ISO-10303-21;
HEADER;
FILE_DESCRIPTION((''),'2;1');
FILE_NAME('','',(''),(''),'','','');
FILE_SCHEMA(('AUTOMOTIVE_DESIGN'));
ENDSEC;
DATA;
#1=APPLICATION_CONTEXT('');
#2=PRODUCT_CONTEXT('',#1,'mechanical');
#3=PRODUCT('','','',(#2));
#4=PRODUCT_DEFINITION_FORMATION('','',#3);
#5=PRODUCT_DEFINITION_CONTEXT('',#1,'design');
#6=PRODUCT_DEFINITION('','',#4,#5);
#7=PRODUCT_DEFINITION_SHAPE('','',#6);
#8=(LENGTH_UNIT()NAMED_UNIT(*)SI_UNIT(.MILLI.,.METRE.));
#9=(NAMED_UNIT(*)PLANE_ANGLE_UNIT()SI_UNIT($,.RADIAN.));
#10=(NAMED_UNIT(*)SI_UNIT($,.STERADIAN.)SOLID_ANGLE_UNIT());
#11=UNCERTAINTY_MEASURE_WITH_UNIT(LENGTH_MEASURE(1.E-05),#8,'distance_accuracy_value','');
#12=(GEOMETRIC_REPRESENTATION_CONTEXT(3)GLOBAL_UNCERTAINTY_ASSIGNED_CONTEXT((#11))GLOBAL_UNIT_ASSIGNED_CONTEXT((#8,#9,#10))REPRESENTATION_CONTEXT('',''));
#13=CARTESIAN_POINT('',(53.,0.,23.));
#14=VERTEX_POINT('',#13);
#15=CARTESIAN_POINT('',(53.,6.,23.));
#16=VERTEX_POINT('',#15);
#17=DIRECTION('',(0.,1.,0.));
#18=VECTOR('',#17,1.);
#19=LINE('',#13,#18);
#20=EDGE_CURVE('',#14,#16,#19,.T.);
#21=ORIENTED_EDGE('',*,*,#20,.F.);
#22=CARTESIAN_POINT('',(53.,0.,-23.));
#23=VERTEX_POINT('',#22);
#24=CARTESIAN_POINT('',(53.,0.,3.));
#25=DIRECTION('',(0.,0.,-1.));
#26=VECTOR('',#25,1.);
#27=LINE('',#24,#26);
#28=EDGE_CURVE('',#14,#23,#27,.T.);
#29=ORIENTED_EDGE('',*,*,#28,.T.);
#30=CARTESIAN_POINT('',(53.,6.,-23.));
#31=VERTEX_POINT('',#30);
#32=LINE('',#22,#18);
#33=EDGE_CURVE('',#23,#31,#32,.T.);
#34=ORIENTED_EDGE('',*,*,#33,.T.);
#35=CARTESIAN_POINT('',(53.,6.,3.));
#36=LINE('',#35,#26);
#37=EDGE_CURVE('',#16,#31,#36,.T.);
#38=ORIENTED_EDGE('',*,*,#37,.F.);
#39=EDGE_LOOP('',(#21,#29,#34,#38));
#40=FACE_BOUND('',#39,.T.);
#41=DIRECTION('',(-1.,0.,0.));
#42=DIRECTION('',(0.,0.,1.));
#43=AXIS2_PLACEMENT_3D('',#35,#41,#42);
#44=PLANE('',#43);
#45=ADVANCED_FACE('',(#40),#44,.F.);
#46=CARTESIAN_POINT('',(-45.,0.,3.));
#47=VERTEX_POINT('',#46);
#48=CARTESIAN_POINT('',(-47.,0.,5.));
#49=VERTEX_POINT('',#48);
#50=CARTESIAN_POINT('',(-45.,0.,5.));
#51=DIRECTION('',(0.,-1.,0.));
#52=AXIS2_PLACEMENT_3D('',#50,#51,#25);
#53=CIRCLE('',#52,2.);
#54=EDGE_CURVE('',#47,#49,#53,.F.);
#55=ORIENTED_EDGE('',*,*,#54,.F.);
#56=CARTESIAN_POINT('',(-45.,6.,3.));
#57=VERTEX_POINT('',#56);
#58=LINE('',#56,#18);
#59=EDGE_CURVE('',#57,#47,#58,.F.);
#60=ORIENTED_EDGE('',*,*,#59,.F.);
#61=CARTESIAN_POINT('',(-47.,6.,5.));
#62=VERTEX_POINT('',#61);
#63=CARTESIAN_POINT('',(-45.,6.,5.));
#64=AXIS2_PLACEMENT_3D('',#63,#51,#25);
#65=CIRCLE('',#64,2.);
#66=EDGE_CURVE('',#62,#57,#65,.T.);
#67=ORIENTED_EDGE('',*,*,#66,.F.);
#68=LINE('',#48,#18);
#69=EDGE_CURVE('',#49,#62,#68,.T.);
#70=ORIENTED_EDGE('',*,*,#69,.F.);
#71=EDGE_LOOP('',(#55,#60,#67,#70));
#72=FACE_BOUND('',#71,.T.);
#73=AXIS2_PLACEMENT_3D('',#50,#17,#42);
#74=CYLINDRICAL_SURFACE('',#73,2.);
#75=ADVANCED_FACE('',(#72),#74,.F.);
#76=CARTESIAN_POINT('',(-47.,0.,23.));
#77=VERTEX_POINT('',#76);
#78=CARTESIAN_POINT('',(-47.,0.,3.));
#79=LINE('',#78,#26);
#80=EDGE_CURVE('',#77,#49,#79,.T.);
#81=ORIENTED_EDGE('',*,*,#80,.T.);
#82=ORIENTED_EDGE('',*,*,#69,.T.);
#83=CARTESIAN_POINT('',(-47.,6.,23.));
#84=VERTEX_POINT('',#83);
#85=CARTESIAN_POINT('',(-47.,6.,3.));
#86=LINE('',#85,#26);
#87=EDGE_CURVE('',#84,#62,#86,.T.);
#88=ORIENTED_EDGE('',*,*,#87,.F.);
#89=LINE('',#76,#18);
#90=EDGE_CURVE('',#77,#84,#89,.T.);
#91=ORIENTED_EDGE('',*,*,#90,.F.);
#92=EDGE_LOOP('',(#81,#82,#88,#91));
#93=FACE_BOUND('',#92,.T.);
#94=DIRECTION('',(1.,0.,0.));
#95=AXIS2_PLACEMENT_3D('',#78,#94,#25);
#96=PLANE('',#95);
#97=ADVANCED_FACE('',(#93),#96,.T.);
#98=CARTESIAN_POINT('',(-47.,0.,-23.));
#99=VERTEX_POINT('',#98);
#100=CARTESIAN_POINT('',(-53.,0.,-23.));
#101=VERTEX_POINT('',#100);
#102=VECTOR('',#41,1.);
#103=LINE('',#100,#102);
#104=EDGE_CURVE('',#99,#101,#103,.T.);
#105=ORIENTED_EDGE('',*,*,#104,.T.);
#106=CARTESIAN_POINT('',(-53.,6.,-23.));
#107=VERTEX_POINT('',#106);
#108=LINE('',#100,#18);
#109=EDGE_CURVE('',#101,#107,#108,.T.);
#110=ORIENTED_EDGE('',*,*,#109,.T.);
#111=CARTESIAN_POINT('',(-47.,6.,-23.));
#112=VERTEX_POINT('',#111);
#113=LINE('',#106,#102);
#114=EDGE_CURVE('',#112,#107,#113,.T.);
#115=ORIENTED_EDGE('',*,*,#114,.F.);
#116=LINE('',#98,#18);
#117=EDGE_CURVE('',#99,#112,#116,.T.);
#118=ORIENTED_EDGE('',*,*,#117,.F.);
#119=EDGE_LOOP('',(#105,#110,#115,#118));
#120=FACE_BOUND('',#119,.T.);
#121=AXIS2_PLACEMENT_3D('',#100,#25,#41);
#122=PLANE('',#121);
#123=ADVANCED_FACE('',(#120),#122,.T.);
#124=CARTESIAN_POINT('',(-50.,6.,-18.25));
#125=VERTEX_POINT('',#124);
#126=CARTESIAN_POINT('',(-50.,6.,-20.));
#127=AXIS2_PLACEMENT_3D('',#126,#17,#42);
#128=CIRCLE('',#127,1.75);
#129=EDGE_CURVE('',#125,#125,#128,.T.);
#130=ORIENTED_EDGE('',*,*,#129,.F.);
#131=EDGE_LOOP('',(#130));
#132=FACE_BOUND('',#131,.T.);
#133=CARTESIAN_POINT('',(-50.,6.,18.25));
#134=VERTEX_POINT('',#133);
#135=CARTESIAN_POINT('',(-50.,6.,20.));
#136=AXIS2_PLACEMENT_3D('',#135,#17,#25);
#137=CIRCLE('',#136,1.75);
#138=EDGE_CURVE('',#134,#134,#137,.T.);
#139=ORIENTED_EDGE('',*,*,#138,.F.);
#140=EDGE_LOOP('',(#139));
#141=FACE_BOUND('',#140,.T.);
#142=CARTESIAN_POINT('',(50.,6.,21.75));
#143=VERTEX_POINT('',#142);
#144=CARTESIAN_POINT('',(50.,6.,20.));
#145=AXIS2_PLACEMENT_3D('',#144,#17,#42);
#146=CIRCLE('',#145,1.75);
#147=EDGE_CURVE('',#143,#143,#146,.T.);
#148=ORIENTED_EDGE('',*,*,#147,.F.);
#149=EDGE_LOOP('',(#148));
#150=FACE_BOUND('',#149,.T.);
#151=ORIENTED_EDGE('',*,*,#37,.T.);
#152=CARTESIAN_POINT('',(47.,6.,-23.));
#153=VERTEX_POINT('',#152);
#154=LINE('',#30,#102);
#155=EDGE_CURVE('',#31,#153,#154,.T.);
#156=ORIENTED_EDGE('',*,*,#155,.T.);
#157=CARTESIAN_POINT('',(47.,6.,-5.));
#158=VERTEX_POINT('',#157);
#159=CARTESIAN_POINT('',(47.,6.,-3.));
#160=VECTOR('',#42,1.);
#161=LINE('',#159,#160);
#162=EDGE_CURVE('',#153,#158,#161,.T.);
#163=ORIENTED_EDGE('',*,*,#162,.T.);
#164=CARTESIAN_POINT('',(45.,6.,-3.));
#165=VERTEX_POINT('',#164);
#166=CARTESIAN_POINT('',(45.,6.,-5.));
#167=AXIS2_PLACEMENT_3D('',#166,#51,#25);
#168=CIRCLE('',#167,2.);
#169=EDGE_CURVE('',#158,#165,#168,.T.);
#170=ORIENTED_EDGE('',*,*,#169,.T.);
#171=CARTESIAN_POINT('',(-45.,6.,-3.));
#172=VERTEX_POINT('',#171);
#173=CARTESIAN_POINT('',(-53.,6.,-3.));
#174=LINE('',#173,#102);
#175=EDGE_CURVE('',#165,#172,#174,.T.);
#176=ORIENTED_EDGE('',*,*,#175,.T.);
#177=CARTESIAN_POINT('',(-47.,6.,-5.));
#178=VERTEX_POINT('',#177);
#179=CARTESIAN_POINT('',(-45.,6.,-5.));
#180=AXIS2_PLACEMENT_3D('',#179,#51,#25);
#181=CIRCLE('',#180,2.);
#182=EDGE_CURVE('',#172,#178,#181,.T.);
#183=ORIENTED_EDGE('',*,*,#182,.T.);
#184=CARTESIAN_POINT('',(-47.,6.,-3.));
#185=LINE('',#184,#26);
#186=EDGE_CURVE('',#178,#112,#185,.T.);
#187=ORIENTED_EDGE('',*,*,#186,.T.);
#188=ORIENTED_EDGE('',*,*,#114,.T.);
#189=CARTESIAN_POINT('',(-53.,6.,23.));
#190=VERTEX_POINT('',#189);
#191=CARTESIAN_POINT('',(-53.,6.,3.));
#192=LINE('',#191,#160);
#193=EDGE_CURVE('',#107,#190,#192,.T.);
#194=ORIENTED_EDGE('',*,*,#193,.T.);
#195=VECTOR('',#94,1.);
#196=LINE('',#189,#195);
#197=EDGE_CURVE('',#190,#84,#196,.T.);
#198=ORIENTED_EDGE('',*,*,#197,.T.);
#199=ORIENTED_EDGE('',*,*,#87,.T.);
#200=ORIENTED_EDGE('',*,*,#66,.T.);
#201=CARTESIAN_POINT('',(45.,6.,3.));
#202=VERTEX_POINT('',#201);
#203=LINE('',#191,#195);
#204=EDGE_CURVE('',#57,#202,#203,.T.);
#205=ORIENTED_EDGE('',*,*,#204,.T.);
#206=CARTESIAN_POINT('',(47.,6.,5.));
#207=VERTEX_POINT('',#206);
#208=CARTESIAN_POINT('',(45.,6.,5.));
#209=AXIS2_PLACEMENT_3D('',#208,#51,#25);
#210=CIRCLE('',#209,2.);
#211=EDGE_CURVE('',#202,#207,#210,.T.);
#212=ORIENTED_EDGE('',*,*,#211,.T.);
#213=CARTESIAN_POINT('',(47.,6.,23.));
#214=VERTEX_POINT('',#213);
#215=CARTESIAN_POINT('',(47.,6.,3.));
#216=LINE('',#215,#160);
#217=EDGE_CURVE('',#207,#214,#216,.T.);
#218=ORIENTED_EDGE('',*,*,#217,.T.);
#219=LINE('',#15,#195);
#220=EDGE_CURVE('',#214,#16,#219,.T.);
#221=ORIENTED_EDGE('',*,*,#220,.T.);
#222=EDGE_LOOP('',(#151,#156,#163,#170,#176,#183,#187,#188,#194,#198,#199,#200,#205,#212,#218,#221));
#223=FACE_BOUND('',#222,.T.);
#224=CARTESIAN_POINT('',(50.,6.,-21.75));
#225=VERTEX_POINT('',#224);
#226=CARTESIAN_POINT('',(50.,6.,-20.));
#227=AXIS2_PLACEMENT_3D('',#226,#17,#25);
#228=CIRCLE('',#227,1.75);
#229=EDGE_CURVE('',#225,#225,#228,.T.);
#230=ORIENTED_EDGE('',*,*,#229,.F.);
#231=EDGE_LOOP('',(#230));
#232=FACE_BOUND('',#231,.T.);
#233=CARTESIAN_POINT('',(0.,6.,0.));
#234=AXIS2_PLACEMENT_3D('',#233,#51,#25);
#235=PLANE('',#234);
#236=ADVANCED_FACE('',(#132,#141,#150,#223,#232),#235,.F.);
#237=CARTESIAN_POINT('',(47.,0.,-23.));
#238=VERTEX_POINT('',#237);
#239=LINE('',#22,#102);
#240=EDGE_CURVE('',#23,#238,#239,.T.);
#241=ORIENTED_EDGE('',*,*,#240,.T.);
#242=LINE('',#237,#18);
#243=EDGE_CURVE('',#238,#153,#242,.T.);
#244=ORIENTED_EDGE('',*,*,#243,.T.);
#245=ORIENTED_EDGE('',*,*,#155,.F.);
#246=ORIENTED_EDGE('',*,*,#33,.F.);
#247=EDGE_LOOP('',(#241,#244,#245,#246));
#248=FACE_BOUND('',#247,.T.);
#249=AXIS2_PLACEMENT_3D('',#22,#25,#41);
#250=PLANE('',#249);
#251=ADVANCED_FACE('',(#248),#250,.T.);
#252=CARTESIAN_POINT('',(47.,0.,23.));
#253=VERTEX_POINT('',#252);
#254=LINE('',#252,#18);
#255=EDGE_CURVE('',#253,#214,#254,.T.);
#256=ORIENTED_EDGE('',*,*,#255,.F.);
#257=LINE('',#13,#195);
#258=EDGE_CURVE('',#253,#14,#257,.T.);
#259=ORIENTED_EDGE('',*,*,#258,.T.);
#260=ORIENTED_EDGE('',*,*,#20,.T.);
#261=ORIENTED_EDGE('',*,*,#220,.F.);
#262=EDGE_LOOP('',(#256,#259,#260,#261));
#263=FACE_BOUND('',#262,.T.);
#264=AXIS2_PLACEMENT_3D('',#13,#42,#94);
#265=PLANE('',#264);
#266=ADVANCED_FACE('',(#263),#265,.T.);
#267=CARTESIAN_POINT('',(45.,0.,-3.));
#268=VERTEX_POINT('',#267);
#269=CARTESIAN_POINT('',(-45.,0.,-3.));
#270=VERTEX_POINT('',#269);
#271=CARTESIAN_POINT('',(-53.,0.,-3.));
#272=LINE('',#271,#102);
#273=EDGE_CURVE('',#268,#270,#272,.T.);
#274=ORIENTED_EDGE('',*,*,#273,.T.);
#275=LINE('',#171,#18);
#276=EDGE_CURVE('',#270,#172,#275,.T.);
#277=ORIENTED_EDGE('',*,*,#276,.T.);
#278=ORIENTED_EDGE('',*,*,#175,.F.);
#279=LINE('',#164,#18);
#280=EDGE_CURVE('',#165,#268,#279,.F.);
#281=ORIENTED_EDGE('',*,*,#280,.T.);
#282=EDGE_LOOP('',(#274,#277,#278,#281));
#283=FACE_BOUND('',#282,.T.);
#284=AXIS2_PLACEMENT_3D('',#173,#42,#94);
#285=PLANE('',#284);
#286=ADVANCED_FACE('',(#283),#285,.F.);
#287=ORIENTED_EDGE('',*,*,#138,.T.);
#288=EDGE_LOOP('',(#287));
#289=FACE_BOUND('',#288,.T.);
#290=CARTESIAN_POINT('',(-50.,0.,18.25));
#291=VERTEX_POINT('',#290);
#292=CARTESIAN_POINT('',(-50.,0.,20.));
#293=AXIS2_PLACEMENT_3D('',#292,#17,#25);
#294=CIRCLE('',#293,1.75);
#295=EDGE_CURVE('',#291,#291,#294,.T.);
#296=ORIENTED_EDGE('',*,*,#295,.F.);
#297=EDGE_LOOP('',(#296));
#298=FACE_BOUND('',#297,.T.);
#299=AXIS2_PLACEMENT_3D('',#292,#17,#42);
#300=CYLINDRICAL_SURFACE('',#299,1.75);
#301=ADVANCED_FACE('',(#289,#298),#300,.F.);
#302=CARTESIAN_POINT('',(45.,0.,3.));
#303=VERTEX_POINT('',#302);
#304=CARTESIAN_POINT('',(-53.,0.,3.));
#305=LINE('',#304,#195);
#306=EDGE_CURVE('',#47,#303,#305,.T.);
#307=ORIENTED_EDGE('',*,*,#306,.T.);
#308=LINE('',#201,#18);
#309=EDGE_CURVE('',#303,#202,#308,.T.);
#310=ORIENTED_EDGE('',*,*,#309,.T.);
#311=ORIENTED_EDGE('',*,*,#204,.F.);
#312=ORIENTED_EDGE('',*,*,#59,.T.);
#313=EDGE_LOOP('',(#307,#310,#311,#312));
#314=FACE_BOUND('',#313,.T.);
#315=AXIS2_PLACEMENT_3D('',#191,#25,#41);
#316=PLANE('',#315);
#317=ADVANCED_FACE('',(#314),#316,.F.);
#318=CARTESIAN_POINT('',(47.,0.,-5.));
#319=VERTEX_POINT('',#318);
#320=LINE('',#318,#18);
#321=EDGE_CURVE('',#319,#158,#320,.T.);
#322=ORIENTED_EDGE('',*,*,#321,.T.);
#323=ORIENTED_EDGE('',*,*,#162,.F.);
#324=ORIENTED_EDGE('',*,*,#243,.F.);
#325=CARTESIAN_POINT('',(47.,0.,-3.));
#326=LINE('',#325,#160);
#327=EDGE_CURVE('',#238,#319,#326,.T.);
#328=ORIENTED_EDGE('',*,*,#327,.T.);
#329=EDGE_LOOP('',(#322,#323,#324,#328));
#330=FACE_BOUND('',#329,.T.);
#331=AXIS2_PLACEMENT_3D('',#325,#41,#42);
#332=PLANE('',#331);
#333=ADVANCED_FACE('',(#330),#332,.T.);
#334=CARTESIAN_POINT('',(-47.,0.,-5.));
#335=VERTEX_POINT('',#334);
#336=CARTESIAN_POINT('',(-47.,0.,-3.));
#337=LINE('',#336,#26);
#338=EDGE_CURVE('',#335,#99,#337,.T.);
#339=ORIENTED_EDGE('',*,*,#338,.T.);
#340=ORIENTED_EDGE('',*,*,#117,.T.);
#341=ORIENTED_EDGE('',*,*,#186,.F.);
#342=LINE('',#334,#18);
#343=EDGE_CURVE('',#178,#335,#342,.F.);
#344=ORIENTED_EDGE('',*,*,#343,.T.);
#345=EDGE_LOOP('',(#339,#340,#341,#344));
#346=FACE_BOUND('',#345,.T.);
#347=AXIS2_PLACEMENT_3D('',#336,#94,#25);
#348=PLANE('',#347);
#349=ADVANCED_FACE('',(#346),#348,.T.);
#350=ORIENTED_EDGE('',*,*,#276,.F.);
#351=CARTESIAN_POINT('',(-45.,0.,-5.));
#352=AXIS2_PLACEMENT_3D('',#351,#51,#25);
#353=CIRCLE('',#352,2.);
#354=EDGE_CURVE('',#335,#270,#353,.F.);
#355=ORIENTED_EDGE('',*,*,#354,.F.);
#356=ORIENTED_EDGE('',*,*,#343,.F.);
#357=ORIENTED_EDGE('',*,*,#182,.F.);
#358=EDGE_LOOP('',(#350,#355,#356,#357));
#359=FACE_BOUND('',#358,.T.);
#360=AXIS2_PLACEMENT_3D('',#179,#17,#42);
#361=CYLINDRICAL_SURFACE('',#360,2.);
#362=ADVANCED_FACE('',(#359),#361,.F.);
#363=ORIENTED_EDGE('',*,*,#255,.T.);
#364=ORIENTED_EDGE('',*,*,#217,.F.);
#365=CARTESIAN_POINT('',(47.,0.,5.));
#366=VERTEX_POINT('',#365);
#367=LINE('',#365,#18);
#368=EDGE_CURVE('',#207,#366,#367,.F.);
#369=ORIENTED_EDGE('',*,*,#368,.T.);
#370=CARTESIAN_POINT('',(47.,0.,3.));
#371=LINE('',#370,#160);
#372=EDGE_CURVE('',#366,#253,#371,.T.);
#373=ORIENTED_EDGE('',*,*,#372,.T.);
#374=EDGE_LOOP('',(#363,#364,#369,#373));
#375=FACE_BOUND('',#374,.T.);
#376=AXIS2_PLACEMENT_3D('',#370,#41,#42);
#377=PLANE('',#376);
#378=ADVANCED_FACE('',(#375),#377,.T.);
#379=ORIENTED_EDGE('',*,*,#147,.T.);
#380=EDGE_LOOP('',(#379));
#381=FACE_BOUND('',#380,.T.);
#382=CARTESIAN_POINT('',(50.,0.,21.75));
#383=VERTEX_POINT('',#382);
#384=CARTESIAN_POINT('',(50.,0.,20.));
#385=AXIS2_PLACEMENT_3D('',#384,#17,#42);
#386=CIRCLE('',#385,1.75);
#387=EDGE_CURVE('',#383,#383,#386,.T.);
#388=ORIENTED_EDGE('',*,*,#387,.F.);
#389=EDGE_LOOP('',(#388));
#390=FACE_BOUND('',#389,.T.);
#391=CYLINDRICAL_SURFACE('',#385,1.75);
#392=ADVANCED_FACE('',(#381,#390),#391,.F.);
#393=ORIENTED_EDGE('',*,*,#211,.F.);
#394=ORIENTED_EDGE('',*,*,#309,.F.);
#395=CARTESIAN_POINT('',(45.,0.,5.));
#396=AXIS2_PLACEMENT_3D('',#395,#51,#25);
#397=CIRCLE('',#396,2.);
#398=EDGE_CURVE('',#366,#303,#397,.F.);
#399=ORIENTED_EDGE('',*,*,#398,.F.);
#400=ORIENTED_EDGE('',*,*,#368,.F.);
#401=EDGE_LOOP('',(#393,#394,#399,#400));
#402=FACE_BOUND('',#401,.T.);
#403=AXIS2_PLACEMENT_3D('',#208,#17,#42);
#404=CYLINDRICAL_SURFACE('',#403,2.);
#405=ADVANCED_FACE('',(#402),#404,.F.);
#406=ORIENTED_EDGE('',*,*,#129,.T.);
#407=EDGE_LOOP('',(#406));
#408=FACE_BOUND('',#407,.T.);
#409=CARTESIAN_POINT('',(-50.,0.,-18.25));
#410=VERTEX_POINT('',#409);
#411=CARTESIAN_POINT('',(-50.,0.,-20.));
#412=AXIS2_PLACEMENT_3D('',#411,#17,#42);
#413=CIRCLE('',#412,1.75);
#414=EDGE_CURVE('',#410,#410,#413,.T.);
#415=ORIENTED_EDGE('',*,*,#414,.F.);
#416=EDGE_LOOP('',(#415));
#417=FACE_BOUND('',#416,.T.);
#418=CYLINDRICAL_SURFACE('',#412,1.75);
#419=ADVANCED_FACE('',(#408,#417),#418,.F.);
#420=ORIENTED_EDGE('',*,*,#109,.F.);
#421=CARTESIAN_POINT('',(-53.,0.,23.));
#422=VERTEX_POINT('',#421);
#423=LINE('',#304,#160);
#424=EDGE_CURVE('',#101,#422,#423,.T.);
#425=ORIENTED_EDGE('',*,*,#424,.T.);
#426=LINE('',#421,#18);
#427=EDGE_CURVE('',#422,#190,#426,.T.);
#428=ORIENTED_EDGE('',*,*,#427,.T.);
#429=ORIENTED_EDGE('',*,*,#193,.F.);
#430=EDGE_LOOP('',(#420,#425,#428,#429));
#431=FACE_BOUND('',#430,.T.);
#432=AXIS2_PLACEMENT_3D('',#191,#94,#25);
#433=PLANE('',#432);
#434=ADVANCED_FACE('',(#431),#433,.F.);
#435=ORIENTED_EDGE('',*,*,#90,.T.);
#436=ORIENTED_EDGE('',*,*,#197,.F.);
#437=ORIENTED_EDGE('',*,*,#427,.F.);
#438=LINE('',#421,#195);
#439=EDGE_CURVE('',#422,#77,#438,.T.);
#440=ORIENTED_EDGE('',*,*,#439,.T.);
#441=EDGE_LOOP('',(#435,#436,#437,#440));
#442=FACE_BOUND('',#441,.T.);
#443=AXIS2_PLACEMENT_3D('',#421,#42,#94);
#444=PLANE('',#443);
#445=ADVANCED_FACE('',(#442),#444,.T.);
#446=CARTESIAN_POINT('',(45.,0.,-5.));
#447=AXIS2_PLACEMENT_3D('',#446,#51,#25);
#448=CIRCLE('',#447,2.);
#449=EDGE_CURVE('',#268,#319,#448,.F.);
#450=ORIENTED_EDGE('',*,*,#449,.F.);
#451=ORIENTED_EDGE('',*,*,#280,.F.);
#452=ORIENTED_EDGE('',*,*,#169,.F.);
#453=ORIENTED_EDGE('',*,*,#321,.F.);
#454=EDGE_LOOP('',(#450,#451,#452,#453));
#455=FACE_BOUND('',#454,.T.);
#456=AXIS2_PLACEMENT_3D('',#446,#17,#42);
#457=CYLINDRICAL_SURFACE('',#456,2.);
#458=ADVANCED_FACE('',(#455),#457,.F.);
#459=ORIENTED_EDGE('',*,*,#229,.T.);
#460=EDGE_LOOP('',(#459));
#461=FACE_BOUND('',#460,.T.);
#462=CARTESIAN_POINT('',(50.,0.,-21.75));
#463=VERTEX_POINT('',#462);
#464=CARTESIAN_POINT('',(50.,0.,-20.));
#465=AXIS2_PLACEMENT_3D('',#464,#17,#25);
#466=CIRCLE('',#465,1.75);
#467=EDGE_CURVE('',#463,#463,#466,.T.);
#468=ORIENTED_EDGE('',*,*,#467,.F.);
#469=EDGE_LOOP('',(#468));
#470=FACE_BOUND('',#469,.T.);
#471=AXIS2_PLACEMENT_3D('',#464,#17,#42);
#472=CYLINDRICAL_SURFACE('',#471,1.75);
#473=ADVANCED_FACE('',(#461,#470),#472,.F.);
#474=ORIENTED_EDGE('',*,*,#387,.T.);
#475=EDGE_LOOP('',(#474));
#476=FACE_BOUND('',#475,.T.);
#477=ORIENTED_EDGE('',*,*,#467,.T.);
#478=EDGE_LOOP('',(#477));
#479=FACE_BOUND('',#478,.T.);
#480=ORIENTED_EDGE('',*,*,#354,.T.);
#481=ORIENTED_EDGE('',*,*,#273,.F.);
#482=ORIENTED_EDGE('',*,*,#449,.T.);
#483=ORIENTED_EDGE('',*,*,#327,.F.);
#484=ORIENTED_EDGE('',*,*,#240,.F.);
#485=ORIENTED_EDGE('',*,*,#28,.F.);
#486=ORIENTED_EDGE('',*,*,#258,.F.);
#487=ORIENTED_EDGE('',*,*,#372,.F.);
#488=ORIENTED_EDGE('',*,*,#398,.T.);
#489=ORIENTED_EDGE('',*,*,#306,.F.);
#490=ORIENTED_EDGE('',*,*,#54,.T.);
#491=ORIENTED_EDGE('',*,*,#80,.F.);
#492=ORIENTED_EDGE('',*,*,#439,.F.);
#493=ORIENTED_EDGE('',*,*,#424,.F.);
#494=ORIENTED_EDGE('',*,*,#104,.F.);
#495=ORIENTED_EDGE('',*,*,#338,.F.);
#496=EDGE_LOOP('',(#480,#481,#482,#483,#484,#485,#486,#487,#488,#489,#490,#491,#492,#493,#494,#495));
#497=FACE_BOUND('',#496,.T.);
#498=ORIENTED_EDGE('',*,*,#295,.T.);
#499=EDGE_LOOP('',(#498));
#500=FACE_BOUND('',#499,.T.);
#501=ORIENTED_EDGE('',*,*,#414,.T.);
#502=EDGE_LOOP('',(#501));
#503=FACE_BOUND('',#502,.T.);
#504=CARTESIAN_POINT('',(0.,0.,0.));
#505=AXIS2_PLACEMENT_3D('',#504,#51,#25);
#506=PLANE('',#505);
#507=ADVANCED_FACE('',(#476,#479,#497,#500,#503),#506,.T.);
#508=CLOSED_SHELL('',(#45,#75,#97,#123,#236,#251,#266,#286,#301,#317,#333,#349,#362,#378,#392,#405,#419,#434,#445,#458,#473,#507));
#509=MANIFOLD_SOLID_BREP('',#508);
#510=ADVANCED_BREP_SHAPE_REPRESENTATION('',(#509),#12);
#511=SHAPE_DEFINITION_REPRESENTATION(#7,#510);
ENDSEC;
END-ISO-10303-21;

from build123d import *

# Parameters (mm, degrees)
SKETCH1_W           = 106
SKETCH1_H           = 6
BOSS_EXTRUDE1_DEPTH = 6
SKETCH2_W           = 6
SKETCH2_H           = 20
SKETCH2_R           = 1.75
BOSS_EXTRUDE2_DEPTH = 6
FILLET1_R           = 2


with BuildPart() as part:
    # Sketch1 → Boss-Extrude1 (new body)
    with BuildSketch(Plane(origin=(0, 0, 0), x_dir=(1, 0, 0), z_dir=(0, 1, 0))):
        Rectangle(SKETCH1_W, SKETCH1_H)
    extrude(amount=BOSS_EXTRUDE1_DEPTH)

    # Sketch2 → Boss-Extrude2 (add)
    # profile 1 of 4: a face of its own
    with BuildSketch(Plane(origin=(0, 6, 0), x_dir=(1, 0, 0), z_dir=(0, 1, 0))):
        with Locations((-50, 13)):
            Rectangle(SKETCH2_W, SKETCH2_H)
        with Locations(Location((-50, 20, 0), (0, 0, 270))):
            Circle(SKETCH2_R, mode=Mode.SUBTRACT)
    # profile 2 of 4: a face of its own
    with BuildSketch(Plane(origin=(0, 6, 0), x_dir=(1, 0, 0), z_dir=(0, 1, 0))):
        with Locations((-50, -13)):
            Rectangle(SKETCH2_W, SKETCH2_H)
        with Locations(Location((-50, -20, 0), (0, 0, 90))):
            Circle(SKETCH2_R, mode=Mode.SUBTRACT)
    # profile 3 of 4: a face of its own
    with BuildSketch(Plane(origin=(0, 6, 0), x_dir=(1, 0, 0), z_dir=(0, 1, 0))):
        with Locations((50, -13)):
            Rectangle(SKETCH2_W, SKETCH2_H)
        with Locations(Location((50, -20, 0), (0, 0, 270))):
            Circle(SKETCH2_R, mode=Mode.SUBTRACT)
    # profile 4 of 4: a face of its own
    with BuildSketch(Plane(origin=(0, 6, 0), x_dir=(1, 0, 0), z_dir=(0, 1, 0))):
        with Locations((50, 13)):
            Rectangle(SKETCH2_W, SKETCH2_H)
        with Locations(Location((50, 20, 0), (0, 0, 90))):
            Circle(SKETCH2_R, mode=Mode.SUBTRACT)
    extrude(amount=-BOSS_EXTRUDE2_DEPTH)

    # Fillet1
    fillet1_edges = [part.edges().sort_by_distance(p)[0] for p in [
        (-47, 3, -3),
        (-47, 3, 3),
        (47, 3, 3),
        (47, 3, -3),
    ]]
    fillet(fillet1_edges, radius=FILLET1_R)


solid = part.part
